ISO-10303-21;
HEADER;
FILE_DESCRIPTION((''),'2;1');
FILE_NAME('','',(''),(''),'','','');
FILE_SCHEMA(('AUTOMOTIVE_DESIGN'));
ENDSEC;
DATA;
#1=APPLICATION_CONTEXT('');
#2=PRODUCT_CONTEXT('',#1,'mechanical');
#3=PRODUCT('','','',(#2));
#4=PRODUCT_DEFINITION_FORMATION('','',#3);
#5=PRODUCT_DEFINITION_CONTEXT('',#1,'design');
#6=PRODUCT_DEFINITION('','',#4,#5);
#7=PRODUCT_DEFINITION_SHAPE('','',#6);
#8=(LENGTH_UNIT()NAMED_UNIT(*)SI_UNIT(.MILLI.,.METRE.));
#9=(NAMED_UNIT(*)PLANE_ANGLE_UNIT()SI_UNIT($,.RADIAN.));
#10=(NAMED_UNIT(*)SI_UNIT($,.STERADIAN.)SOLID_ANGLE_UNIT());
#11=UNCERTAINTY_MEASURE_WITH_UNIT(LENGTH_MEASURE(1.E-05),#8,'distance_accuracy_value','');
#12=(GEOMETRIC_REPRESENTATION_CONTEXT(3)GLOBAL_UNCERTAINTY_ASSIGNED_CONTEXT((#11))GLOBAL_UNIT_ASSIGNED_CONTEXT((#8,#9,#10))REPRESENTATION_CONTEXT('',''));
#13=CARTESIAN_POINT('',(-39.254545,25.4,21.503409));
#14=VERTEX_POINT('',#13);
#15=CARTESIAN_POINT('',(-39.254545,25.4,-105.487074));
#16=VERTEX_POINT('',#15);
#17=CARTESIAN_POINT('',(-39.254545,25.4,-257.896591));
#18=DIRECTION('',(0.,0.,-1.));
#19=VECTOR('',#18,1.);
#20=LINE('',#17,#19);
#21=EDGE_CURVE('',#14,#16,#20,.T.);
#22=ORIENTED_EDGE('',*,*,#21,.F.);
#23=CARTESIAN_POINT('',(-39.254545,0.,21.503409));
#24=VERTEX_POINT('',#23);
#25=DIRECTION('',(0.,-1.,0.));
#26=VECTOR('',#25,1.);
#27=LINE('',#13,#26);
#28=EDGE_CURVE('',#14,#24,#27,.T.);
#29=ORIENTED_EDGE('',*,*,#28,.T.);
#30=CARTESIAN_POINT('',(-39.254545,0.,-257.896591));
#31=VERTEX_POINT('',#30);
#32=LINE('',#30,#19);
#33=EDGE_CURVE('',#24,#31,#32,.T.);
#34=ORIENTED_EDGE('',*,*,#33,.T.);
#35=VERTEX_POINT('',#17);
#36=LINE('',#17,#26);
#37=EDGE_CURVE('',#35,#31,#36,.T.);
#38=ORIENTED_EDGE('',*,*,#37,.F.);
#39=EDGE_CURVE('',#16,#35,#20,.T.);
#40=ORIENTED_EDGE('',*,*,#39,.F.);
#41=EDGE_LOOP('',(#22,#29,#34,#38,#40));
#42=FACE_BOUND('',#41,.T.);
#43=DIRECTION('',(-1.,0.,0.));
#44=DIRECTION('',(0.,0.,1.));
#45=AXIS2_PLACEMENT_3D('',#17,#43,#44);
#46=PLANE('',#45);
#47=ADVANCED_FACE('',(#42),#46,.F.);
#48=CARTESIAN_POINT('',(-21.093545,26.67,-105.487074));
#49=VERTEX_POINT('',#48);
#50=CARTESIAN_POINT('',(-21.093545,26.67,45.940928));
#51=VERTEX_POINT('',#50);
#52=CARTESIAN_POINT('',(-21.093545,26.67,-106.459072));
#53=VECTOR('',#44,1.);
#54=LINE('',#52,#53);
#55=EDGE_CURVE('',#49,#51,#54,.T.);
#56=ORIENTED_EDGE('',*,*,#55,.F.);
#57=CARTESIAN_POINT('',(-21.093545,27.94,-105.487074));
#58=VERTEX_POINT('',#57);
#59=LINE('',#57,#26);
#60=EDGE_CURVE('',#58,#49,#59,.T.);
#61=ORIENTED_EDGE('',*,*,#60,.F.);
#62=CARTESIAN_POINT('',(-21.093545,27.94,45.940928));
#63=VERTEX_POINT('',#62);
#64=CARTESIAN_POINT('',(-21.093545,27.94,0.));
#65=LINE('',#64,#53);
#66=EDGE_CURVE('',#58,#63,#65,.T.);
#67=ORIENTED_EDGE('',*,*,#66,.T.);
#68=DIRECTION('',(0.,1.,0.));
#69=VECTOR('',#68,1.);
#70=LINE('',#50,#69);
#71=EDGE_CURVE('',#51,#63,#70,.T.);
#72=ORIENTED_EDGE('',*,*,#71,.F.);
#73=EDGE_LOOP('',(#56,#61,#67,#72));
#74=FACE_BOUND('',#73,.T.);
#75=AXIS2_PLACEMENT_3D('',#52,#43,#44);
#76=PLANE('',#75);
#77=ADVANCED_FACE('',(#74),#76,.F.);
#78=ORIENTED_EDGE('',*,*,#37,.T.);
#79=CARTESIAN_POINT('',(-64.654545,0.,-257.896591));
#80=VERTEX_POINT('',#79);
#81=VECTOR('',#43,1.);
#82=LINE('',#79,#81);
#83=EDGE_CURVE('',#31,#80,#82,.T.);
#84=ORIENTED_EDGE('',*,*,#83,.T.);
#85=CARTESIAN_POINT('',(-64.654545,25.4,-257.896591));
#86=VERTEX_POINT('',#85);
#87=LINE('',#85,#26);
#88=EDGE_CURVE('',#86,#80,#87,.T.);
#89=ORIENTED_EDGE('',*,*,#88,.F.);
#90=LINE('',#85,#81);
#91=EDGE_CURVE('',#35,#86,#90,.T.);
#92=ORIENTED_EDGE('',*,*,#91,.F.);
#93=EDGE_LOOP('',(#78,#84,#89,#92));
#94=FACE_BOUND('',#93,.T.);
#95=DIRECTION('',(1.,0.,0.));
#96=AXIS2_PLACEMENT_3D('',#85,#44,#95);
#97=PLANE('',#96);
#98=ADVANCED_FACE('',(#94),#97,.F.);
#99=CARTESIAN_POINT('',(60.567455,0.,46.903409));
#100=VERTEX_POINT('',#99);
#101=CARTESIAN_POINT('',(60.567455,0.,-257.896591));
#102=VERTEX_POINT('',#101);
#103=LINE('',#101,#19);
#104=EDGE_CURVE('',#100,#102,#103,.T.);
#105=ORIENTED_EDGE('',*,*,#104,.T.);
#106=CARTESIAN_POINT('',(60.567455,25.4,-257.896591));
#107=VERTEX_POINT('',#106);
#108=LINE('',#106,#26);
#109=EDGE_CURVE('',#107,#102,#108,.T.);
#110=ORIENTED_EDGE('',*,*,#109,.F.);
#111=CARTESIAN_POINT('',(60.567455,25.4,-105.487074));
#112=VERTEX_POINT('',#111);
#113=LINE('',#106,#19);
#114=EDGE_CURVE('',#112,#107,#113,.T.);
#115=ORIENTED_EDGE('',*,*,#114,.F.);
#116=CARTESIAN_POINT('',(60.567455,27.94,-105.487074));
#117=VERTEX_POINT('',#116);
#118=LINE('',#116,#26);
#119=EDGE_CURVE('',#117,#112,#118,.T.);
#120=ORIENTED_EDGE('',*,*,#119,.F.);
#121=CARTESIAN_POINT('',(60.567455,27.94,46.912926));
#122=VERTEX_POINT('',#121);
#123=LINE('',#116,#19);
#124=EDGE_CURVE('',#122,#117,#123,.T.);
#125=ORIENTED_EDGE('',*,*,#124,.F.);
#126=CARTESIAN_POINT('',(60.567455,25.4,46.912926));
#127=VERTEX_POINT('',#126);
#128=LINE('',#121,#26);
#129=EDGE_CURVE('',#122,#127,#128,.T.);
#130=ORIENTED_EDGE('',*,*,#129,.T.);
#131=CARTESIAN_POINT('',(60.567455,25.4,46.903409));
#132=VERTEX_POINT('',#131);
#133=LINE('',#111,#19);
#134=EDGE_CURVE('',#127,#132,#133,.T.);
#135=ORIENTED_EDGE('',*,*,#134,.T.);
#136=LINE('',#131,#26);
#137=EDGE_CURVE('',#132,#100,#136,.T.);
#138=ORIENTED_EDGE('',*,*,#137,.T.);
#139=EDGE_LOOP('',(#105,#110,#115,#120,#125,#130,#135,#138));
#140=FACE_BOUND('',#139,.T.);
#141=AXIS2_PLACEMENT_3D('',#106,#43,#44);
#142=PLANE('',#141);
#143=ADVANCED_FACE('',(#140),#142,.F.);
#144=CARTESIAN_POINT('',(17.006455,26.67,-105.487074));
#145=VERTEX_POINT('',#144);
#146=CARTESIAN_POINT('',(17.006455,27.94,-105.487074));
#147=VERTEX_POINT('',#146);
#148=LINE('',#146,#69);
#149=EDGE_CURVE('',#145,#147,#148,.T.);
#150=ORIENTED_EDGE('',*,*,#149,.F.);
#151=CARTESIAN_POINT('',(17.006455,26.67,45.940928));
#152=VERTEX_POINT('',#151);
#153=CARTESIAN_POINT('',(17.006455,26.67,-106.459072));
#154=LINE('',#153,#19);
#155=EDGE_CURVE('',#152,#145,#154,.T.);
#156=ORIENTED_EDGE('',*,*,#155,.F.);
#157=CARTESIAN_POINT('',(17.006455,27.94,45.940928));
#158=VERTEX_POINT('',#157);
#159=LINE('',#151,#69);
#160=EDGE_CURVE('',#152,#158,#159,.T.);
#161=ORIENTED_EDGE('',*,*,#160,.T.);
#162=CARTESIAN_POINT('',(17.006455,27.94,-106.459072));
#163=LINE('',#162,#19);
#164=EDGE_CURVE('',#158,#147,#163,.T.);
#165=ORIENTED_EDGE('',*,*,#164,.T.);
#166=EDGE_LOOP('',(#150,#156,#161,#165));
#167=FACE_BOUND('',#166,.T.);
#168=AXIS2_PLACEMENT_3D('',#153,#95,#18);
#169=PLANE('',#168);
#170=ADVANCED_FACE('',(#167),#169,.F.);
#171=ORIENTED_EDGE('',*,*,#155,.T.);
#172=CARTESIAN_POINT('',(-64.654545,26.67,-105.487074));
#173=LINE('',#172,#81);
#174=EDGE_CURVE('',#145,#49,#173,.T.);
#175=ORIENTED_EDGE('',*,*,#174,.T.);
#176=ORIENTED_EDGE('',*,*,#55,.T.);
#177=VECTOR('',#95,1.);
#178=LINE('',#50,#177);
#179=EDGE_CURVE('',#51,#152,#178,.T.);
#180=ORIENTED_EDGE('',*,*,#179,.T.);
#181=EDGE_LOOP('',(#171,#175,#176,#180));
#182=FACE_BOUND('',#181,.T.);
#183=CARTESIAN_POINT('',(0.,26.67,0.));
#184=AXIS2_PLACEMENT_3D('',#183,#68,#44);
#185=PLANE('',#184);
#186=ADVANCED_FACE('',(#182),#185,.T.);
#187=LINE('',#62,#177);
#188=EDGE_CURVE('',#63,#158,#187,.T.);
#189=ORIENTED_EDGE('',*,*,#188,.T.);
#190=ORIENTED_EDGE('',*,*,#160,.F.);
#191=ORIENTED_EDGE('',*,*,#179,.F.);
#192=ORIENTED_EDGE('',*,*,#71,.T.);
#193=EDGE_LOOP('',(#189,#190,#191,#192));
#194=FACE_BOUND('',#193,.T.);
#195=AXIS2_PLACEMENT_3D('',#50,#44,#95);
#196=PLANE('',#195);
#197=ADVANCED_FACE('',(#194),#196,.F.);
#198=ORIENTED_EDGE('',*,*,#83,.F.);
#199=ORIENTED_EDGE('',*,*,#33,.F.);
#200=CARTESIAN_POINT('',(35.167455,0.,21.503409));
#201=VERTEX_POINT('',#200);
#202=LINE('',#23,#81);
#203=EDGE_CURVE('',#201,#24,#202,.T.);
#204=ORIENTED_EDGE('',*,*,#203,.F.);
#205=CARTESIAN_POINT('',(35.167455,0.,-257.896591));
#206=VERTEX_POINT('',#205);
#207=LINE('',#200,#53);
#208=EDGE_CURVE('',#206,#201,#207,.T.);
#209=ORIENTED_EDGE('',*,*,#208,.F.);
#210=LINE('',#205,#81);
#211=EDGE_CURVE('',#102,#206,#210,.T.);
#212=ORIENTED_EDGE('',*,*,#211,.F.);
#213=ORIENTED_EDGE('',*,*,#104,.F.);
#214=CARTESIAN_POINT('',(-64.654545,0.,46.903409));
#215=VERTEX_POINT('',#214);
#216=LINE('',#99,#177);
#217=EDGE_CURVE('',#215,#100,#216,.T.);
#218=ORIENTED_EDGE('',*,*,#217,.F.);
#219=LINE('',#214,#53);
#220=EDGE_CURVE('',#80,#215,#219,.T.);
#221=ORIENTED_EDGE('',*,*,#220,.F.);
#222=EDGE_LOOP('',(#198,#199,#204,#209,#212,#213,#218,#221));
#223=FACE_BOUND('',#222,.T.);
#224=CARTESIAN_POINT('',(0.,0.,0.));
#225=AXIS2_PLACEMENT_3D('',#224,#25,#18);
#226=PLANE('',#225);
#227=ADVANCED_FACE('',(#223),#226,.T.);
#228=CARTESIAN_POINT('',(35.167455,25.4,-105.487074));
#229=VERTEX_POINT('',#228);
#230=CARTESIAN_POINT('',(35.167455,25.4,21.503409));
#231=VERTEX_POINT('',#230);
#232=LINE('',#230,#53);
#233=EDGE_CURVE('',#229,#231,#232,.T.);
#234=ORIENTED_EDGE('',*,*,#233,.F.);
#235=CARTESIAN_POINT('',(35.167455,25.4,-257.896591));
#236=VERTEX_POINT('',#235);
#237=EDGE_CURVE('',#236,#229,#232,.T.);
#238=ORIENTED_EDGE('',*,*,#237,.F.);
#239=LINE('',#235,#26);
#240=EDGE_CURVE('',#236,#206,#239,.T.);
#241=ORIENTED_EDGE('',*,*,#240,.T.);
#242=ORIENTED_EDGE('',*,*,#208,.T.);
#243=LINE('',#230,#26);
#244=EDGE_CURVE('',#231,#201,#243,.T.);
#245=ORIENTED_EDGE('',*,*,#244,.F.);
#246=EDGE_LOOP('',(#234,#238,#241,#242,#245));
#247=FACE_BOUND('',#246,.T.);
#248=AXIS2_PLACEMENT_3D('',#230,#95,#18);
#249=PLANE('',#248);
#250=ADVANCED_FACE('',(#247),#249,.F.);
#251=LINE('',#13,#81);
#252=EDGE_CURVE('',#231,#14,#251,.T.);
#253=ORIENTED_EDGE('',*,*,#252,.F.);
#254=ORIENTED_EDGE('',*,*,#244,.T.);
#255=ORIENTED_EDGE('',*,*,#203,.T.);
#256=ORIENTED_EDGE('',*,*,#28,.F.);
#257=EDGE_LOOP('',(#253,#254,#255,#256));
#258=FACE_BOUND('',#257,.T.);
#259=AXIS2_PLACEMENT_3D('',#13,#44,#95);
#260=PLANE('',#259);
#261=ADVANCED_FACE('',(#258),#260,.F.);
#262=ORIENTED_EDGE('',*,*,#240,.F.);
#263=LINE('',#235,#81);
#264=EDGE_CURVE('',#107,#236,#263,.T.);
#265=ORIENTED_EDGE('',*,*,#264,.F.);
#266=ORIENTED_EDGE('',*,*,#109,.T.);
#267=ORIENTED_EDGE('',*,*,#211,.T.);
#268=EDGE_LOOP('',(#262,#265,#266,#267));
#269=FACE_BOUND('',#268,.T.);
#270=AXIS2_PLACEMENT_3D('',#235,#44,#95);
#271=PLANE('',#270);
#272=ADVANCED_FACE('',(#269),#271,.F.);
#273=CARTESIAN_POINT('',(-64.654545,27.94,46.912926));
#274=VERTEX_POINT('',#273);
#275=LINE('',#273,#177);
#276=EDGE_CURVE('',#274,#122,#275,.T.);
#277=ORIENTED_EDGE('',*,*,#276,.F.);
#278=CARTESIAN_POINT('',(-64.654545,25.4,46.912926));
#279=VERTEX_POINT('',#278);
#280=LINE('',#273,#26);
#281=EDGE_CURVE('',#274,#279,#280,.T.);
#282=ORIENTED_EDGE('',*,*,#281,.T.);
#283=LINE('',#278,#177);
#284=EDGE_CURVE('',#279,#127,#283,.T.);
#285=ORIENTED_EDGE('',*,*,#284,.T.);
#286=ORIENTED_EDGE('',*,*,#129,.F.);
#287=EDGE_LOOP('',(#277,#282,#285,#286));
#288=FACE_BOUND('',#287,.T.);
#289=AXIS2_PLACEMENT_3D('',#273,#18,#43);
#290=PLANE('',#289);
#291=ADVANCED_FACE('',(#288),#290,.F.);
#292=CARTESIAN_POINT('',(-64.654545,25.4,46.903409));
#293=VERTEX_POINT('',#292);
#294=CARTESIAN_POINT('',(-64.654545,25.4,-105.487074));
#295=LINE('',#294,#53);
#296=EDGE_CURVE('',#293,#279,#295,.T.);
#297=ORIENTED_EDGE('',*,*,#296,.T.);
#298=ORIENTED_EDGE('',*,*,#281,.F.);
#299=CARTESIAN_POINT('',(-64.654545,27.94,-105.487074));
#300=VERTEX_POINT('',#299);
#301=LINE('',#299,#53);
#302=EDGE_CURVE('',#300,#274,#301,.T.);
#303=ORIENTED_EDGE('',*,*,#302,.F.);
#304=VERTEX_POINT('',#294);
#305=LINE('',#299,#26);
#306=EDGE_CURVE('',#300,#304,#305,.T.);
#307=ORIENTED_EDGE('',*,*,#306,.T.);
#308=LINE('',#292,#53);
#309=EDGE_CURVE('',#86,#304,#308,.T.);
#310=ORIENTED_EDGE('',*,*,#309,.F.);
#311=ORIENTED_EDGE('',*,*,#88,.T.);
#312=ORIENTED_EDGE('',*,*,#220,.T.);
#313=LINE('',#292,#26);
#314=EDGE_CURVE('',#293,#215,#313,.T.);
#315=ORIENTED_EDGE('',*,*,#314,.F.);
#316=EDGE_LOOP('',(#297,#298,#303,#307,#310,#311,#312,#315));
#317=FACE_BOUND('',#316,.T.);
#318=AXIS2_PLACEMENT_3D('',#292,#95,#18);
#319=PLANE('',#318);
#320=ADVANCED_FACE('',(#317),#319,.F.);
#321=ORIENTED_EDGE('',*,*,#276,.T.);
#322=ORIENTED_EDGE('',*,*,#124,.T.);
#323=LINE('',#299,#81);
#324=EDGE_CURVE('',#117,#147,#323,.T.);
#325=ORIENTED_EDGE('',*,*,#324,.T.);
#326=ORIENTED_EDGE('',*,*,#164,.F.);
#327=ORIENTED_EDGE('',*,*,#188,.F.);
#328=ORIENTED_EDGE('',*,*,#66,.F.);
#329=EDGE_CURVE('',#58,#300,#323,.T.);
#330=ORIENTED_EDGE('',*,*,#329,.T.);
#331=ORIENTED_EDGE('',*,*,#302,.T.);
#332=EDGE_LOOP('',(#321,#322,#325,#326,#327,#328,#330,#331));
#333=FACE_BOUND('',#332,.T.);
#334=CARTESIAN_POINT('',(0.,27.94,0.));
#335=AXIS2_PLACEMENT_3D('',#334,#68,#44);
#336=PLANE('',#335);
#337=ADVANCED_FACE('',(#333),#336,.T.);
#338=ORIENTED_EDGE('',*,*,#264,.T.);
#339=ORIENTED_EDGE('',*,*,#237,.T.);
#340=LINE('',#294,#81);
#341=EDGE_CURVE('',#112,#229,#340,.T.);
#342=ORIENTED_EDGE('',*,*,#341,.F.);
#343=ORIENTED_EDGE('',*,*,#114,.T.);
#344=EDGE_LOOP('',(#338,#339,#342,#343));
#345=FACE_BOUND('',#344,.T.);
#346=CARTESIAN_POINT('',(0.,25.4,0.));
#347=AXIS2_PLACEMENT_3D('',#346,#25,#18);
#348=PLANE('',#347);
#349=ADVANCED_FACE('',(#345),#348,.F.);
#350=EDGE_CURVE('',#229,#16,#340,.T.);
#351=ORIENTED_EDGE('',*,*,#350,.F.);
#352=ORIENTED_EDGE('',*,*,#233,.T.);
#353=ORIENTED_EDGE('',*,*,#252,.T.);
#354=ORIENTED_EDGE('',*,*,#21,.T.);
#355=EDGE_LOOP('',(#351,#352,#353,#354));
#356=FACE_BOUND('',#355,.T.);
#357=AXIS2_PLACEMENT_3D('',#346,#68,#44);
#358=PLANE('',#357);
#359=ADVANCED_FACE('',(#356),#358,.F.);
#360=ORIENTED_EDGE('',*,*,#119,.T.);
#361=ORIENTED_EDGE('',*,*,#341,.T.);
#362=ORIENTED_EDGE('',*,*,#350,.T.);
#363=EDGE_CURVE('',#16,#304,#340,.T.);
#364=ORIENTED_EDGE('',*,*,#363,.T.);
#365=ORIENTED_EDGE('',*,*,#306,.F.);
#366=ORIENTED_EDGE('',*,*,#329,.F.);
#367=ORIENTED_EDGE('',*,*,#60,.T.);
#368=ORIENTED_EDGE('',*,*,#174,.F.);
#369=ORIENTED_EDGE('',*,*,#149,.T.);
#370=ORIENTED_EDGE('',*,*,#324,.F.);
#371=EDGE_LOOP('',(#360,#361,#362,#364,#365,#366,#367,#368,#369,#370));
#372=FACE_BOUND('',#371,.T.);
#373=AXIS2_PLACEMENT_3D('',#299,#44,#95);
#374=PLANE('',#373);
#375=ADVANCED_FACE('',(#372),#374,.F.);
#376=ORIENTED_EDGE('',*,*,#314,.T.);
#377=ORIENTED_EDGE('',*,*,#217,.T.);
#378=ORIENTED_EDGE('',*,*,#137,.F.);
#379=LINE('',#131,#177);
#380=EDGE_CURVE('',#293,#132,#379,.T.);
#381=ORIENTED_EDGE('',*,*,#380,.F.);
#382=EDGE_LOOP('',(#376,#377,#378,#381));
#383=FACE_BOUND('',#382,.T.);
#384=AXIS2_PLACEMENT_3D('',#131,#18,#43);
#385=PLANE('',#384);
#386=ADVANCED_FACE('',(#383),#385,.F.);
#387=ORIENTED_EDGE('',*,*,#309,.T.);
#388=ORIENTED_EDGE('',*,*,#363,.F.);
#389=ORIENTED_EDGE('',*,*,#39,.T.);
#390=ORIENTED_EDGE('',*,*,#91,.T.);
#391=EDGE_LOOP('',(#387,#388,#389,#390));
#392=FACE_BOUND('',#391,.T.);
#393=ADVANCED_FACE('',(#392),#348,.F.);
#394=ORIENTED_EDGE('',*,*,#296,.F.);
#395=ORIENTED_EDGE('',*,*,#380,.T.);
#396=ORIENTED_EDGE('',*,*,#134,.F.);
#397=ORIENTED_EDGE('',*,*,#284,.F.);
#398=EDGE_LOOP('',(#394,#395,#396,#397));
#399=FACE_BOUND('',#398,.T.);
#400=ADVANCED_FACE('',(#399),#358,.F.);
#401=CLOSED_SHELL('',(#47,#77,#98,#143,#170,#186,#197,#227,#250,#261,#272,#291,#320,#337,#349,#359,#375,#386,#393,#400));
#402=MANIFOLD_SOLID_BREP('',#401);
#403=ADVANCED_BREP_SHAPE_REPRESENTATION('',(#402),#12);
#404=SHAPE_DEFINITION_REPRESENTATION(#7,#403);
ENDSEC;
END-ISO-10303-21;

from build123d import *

# Parameters (mm, degrees)
BOSS_EXTRUDE1_DEPTH = 25.4
SKETCH3_W           = 125.222
SKETCH3_H           = 152.4
BOSS_EXTRUDE2_DEPTH = 2.54
SKETCH5_W           = 38.1
SKETCH5_H           = 152.4
CUT_EXTRUDE1_DEPTH  = 1.27


with BuildPart() as part:
    # Sketch1 → Boss-Extrude1 (new body)
    with BuildSketch(Plane(origin=(0, 0, 0), x_dir=(1, 0, 0), z_dir=(0, 1, 0))):
        Polygon((-64.654545455, 257.896590909), (-39.254545455, 257.896590909), (-39.254545455, -21.503409091), (35.167454545, -21.503409091), (35.167454545, 257.896590909), (60.567454545, 257.896590909), (60.567454545, -46.903409091), (-64.654545455, -46.903409091), align=None)
    extrude(amount=BOSS_EXTRUDE1_DEPTH)

    # Sketch3 → Boss-Extrude2 (add)
    with BuildSketch(Plane(origin=(0, 25.4, 0), x_dir=(1, 0, 0), z_dir=(0, 1, 0))):
        with Locations((-2.043545455, 29.287074317)):
            Rectangle(SKETCH3_W, SKETCH3_H)
    extrude(amount=BOSS_EXTRUDE2_DEPTH)

    # Sketch5 → Cut-Extrude1 (cut)
    with BuildSketch(Plane(origin=(0, 27.94, 0), x_dir=(1, 0, 0), z_dir=(0, 1, 0))):
        with Locations((-2.043545455, 30.25907177)):
            Rectangle(SKETCH5_W, SKETCH5_H)
    extrude(amount=-CUT_EXTRUDE1_DEPTH, mode=Mode.SUBTRACT)


solid = part.part
